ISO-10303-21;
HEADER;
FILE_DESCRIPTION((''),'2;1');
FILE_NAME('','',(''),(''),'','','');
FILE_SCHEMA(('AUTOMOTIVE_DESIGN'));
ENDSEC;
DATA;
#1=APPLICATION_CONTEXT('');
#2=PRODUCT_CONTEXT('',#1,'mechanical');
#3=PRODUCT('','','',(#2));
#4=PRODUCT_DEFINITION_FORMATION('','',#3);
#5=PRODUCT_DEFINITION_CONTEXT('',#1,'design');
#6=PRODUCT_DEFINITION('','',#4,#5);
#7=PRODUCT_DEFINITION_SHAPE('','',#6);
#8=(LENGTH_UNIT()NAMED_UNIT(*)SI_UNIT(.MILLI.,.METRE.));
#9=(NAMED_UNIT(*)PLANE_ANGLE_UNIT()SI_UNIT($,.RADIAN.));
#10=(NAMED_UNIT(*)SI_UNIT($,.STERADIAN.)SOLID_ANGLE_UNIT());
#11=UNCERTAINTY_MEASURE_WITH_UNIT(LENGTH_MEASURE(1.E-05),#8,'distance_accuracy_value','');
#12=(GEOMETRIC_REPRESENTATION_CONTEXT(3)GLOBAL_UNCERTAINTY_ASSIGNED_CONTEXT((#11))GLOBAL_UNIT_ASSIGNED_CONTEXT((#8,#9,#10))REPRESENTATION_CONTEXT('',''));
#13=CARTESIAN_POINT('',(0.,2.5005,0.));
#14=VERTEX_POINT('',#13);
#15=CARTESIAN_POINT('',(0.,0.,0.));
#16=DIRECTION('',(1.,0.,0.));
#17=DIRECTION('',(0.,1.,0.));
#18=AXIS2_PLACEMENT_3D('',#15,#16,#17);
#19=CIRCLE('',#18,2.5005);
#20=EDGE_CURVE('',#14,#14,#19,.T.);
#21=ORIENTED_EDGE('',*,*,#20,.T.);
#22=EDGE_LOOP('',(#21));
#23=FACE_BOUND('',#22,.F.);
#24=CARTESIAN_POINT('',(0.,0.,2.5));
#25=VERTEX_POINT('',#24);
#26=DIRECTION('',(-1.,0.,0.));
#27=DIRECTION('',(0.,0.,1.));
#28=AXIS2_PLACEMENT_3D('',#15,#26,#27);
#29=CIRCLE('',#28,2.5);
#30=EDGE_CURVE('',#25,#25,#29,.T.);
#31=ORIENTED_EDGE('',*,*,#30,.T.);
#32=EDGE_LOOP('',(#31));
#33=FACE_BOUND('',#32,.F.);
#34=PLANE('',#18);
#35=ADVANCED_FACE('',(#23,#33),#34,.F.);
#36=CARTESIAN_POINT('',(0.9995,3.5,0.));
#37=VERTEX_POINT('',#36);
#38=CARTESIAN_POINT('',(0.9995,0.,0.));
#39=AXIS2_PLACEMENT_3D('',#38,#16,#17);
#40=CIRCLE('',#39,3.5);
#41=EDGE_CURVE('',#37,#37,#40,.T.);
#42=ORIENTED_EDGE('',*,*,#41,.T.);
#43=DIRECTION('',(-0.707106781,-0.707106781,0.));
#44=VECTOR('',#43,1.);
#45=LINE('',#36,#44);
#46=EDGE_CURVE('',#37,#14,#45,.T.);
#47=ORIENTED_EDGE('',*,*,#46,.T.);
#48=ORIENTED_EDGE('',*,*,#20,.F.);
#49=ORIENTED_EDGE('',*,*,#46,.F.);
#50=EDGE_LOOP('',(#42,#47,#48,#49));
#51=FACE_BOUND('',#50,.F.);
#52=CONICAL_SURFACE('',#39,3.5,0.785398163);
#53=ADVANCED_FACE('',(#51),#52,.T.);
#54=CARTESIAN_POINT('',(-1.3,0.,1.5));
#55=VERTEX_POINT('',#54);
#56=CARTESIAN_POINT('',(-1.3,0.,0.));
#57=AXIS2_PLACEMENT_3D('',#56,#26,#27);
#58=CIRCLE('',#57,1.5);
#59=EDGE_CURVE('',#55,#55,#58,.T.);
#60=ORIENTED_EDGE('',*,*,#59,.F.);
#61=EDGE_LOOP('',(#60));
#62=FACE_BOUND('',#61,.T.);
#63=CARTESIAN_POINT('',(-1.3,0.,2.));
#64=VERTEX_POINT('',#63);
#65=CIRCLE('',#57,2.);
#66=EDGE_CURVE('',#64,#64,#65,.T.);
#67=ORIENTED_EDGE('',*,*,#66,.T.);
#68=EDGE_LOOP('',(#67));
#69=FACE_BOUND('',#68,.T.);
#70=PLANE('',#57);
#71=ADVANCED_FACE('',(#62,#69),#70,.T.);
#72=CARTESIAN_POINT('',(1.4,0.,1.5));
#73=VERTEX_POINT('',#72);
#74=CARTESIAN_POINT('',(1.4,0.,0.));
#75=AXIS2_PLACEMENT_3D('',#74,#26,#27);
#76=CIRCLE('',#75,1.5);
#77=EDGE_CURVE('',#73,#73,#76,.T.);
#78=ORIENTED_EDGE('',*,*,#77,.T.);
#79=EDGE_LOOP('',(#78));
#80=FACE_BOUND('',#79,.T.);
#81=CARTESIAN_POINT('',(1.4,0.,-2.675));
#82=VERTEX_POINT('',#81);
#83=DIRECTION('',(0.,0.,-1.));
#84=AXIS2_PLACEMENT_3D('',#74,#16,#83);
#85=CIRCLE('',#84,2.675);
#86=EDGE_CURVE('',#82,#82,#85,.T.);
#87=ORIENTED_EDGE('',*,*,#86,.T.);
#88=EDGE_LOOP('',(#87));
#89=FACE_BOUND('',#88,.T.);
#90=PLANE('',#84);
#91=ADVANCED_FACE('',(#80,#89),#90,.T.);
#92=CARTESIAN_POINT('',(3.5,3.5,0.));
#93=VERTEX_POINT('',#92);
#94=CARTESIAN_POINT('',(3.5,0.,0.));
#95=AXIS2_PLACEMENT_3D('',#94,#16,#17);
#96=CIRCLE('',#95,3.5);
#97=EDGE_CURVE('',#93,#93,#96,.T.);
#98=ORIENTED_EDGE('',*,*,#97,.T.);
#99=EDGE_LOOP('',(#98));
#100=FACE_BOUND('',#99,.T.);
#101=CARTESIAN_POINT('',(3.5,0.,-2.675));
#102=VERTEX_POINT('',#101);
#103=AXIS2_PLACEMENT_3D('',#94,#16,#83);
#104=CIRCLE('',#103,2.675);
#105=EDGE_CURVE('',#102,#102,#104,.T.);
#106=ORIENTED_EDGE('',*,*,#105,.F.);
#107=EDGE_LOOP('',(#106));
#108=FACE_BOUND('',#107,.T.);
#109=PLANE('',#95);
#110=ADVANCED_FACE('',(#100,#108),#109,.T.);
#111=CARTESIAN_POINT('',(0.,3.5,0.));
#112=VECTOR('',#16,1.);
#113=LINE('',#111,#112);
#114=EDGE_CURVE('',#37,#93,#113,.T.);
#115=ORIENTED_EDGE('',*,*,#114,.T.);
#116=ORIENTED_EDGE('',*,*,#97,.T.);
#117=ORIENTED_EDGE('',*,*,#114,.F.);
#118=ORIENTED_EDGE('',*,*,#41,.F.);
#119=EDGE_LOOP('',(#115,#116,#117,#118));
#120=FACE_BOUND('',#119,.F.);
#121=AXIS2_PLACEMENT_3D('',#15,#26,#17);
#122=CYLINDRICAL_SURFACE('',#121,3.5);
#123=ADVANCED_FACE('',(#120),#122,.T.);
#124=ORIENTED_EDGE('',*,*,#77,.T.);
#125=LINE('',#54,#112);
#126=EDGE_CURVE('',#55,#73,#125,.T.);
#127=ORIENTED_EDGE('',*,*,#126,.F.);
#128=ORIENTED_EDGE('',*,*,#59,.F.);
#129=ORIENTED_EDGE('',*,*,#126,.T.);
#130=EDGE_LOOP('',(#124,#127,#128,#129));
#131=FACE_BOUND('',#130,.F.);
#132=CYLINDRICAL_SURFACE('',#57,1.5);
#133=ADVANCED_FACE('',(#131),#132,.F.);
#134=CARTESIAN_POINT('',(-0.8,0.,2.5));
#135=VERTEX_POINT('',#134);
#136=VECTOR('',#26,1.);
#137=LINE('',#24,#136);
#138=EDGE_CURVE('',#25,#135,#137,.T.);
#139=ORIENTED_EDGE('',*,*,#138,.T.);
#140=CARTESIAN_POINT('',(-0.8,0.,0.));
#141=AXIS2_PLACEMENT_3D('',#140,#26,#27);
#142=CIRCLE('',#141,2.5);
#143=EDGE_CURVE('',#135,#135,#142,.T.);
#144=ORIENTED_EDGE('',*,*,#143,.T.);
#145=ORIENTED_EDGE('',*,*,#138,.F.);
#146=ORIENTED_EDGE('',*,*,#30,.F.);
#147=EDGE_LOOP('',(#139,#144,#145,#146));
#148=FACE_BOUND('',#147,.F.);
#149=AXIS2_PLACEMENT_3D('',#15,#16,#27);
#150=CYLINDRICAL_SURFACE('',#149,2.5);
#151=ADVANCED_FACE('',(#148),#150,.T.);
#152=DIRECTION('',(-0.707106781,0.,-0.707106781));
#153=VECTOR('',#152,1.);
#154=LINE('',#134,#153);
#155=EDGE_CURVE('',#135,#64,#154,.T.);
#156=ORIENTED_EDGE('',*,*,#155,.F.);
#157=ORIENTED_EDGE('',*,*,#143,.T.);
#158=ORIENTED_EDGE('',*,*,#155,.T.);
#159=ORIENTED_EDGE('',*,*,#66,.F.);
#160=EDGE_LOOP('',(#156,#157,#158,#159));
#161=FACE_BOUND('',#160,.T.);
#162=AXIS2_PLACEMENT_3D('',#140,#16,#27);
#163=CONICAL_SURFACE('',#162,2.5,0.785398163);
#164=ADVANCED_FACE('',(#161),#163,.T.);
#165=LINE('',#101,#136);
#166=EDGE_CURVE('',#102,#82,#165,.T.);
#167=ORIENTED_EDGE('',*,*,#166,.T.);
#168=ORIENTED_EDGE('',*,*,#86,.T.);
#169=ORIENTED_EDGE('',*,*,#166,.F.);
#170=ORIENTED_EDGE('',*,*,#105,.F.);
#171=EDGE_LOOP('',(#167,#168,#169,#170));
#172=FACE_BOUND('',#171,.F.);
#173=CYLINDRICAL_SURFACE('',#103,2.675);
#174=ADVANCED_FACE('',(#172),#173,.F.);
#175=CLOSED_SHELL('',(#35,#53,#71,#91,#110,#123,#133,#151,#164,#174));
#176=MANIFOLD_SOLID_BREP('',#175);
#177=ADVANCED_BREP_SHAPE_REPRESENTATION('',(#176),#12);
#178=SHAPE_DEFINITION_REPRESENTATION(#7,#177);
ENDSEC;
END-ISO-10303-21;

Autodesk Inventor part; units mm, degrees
ref_plane "YZ Plane" through (0, 0, 0) normal (1, 0, 0) x (0, 1, 0)
ref_plane "XZ Plane" through (0, 0, 0) normal (0, 1, 0) x (-1, 0, 0)
ref_plane "XY Plane" through (0, 0, 0) normal (0, 0, 1) x (1, 0, 0)
sketch "スケッチ1" plane through (0, 0, 0) normal (1, 0, 0) x (0, 1, 0)
  circle A0 centre (0, 0) radius 3.5
  dimension "d0" = 7
extrude "押し出し1" add sketch "スケッチ1" along normal blind 3.5
sketch "スケッチ2" plane through (3.5, 0, 0) normal (1, 0, 0) x (0, 0, -1)
  circle A0 centre (0, 0) radius 2.675
  dimension "d3" = 5.35
extrude "押し出し2" cut sketch "スケッチ2" against normal blind 2.1
sketch "スケッチ3" plane through (0, 0, 0) normal (-1, 0, 0) x (0, 0, 1)
  circle A0 centre (0, 0) radius 2.5
  dimension "d6" = 5
extrude "押し出し3" add sketch "スケッチ3" along normal blind 1.3
sketch "スケッチ4" plane through (-1.3, 0, 0) normal (-1, 0, 0) x (0, 0, 1)
  circle A0 centre (0, 0) radius 1.5
  dimension "d9" = 3
extrude "押し出し4" cut sketch "スケッチ4" against normal through all
chamfer "面取り4" distance 1 angle 45 1 edges at (0, -3.5, 0)
chamfer "面取り5" distance 0.5 angle 45 1 edges at (-1.3, 0, -2.5)
properties part number "MagnetMounter"
